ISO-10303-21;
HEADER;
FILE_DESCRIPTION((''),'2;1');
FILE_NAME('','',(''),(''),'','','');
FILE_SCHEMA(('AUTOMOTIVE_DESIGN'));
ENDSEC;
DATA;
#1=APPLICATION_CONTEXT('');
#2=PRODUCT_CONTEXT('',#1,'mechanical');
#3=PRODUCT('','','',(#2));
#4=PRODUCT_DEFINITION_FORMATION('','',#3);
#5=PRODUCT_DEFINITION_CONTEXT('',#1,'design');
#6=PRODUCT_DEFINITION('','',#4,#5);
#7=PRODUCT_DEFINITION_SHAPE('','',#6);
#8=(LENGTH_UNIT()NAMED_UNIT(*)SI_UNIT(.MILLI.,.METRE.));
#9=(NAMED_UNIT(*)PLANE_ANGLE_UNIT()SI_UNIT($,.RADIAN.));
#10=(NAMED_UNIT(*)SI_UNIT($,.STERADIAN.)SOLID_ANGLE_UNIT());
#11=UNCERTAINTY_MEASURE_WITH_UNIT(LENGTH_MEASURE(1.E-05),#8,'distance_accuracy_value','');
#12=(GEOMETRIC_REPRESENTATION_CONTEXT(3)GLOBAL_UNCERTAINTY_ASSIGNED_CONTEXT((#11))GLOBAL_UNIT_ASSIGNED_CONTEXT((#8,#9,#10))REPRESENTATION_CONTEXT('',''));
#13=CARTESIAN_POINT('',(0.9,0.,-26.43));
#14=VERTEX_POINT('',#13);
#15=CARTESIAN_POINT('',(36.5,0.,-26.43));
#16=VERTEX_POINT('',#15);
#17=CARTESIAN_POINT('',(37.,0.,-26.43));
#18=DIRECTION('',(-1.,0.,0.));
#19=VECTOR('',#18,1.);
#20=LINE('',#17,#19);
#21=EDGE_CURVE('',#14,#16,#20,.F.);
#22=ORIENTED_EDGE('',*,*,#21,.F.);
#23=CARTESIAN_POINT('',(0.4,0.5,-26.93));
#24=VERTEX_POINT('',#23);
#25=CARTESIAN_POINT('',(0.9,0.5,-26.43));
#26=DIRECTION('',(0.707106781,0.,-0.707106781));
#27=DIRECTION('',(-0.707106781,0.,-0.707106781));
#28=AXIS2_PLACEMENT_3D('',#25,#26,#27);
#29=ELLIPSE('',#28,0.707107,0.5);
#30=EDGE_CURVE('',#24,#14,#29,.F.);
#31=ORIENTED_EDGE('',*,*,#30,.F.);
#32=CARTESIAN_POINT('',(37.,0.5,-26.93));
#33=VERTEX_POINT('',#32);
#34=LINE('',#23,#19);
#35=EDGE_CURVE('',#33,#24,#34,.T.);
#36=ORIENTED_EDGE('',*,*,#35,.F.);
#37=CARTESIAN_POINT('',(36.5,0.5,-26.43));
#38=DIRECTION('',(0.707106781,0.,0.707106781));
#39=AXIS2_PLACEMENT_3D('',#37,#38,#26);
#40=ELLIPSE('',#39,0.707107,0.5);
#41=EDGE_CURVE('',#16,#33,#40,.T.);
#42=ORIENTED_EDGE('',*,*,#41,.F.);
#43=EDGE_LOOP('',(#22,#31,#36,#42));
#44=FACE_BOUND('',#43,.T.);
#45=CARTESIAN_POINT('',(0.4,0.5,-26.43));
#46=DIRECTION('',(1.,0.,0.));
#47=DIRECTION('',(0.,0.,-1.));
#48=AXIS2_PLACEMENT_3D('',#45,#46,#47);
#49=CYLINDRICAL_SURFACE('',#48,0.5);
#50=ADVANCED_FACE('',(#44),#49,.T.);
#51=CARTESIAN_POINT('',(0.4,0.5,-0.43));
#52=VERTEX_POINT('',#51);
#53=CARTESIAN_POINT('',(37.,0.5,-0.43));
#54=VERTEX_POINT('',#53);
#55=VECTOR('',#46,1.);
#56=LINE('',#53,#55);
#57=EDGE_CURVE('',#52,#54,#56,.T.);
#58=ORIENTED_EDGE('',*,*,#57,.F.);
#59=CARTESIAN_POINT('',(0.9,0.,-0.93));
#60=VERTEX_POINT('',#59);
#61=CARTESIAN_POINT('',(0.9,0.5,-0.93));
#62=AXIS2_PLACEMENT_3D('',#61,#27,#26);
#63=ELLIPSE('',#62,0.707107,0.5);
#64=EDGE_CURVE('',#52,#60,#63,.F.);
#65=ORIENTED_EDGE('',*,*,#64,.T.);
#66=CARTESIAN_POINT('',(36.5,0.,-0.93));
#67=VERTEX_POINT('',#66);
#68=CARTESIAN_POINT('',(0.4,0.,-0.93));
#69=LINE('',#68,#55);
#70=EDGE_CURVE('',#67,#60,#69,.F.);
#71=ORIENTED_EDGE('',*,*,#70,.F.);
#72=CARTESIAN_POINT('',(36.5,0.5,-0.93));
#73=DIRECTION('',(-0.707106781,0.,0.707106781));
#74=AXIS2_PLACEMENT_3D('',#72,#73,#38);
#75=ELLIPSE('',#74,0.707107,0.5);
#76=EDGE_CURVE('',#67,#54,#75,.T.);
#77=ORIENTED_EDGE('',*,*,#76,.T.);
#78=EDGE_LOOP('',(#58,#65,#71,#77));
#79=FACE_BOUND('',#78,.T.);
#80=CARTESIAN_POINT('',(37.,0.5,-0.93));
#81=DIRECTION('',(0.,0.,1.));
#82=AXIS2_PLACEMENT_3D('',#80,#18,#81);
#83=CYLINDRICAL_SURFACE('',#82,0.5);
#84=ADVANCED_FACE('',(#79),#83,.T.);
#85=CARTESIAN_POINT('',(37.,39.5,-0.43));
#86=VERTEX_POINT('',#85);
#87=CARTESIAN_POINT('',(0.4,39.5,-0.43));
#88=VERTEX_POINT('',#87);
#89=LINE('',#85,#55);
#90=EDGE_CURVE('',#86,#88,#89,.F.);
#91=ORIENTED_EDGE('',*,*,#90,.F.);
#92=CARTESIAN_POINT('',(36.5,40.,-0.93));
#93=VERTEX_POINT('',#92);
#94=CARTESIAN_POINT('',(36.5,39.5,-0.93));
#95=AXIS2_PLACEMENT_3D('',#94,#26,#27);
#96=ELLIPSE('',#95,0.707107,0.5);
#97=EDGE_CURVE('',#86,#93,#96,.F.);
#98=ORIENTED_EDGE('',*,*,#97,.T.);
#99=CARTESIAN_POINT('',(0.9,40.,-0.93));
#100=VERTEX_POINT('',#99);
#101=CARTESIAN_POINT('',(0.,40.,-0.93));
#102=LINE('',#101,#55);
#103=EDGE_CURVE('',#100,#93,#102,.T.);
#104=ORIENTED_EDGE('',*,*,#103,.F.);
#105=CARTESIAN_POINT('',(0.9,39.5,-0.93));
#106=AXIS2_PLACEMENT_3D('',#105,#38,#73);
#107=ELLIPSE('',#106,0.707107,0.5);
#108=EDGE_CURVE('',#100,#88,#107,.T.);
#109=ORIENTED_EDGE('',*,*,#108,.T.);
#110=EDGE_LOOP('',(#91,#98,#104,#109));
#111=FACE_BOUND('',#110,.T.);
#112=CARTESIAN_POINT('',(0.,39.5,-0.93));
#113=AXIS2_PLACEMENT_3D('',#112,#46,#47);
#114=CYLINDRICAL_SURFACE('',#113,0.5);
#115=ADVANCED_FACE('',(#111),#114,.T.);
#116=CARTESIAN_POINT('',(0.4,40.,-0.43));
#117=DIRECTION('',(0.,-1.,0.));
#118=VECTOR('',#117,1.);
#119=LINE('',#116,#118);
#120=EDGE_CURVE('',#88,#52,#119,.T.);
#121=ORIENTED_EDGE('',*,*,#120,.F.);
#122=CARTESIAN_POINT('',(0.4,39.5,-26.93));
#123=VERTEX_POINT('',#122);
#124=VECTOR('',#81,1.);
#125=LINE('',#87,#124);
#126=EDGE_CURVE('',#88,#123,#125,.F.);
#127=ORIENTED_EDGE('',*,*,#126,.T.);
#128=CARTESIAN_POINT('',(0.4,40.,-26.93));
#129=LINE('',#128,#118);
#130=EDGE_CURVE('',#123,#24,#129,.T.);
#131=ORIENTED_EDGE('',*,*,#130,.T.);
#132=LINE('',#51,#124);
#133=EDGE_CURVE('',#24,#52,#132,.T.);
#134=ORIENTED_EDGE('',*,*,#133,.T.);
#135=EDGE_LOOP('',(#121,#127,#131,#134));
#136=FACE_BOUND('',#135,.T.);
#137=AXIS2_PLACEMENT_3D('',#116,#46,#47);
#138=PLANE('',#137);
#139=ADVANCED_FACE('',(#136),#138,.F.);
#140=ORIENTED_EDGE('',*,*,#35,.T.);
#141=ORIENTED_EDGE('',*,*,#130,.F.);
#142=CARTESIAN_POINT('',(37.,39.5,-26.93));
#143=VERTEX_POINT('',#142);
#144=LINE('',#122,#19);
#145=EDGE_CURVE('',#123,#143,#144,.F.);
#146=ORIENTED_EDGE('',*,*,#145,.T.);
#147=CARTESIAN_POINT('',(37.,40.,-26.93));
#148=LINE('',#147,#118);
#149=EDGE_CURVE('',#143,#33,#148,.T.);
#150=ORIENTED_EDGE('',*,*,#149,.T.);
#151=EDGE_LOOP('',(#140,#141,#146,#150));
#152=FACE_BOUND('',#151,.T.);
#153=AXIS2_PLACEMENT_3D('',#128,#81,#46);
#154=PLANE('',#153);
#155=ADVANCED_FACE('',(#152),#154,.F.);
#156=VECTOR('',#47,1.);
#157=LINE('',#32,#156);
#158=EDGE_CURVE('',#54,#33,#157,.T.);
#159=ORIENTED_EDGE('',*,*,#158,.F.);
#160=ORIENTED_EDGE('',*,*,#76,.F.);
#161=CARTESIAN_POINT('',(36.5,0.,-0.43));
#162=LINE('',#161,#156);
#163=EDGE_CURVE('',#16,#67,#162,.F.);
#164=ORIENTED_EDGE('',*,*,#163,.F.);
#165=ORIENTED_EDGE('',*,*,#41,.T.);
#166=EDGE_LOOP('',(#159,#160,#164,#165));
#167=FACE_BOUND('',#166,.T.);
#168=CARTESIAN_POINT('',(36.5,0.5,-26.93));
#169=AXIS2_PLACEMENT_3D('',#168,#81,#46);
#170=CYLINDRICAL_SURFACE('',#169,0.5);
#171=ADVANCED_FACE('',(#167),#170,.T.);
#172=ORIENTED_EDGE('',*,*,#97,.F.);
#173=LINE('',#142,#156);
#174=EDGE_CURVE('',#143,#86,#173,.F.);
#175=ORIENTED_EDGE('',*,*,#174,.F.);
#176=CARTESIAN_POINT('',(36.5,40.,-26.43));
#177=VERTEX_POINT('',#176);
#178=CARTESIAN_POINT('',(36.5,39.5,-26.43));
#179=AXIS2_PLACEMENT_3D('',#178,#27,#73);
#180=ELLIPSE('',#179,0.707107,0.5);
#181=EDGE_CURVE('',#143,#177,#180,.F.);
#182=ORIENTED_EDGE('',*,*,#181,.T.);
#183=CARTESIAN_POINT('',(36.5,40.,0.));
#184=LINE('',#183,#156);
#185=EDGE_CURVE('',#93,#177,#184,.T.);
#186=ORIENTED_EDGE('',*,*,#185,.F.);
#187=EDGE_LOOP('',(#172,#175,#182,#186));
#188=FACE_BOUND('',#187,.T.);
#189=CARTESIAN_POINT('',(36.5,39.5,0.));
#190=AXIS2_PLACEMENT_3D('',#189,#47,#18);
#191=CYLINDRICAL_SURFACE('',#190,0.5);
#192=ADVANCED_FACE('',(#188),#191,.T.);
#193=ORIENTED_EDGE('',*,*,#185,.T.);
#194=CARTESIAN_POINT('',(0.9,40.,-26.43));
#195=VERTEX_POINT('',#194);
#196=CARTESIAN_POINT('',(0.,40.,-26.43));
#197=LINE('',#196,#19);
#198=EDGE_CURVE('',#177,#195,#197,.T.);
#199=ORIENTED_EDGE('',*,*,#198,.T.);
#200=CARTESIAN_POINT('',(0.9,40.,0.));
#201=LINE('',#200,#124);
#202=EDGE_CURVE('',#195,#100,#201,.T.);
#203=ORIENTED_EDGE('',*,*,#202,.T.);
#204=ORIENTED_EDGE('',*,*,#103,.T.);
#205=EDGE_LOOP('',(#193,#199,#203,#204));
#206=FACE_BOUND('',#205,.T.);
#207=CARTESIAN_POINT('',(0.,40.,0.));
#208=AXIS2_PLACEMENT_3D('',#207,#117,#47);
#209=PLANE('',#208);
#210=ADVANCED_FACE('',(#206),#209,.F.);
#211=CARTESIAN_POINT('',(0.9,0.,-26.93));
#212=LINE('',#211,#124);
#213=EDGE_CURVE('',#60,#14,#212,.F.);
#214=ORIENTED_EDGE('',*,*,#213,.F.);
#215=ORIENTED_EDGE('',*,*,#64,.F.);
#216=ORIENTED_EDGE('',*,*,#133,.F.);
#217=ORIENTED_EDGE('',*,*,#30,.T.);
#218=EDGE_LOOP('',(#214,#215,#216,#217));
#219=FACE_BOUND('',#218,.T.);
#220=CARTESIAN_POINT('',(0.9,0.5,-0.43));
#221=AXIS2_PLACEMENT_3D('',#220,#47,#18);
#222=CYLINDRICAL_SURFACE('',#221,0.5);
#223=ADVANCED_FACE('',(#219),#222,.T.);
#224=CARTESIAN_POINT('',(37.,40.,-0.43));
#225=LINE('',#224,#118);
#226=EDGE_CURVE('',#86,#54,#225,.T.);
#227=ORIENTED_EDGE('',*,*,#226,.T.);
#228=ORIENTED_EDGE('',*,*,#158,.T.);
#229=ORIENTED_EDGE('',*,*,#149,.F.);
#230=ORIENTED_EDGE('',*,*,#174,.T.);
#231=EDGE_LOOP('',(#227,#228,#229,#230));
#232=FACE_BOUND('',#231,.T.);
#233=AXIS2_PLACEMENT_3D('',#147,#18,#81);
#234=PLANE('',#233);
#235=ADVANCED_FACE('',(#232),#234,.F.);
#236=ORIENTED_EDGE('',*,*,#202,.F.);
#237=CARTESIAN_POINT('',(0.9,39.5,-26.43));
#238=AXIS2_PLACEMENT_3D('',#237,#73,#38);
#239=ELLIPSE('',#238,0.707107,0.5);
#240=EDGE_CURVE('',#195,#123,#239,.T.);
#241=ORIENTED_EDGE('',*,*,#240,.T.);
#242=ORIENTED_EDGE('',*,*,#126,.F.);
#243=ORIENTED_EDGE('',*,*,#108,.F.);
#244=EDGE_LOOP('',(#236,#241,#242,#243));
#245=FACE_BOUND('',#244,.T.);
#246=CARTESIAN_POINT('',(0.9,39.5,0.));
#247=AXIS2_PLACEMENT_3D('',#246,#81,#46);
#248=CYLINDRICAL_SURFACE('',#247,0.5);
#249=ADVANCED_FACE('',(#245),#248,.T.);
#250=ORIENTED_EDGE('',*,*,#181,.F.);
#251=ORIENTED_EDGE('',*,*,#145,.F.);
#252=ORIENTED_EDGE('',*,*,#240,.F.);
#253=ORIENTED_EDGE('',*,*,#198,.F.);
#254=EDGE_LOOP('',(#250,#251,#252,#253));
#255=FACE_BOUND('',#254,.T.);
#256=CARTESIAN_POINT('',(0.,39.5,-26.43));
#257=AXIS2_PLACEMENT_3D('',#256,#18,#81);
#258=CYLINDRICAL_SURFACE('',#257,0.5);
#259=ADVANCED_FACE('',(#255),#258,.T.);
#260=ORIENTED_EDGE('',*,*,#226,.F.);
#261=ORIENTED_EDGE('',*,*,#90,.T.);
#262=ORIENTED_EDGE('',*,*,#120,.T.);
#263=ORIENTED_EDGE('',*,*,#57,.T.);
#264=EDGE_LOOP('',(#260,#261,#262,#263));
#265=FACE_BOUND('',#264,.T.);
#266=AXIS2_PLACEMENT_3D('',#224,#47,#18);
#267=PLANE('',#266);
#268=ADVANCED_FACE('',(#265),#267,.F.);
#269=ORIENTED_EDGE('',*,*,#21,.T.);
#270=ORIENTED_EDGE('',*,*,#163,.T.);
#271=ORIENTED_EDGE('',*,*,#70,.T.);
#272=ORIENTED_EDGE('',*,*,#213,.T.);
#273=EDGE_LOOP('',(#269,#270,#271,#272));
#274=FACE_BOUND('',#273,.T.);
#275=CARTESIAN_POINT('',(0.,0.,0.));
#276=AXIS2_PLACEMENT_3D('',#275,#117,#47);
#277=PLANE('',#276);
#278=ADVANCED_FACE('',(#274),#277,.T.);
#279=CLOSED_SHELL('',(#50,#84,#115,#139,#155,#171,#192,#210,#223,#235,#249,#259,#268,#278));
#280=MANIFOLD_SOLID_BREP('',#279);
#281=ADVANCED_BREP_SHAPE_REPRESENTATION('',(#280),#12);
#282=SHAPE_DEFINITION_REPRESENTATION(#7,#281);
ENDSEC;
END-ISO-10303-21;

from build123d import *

# Parameters (mm, degrees)
SKETCH1_W           = 36.6
SKETCH1_H           = 26.5
BOSS_EXTRUDE1_DEPTH = 40
FILLET1_R           = 0.5


with BuildPart() as part:
    # Sketch1 → Boss-Extrude1 (new body)
    with BuildSketch(Plane(origin=(0, 0, 0), x_dir=(-1, 0, 0), z_dir=(0, 1, 0))):
        with Locations((-18.70000038, -13.680000271)):
            Rectangle(SKETCH1_W, SKETCH1_H)
    extrude(amount=BOSS_EXTRUDE1_DEPTH)

    # Fillet1
    fillet1_edges = [part.edges().sort_by_distance(p)[0] for p in [
        (18.70000038, 40, -26.930000271),
        (0.40000038, 40, -13.680000271),
        (18.70000038, 40, -0.430000271),
        (0.40000038, 0, -13.680000271),
        (18.70000038, 0, -26.930000271),
        (37.00000038, 0, -13.680000271),
        (18.70000038, 0, -0.430000271),
        (37.00000038, 40, -13.680000271),
    ]]
    fillet(fillet1_edges, radius=FILLET1_R)


solid = part.part
